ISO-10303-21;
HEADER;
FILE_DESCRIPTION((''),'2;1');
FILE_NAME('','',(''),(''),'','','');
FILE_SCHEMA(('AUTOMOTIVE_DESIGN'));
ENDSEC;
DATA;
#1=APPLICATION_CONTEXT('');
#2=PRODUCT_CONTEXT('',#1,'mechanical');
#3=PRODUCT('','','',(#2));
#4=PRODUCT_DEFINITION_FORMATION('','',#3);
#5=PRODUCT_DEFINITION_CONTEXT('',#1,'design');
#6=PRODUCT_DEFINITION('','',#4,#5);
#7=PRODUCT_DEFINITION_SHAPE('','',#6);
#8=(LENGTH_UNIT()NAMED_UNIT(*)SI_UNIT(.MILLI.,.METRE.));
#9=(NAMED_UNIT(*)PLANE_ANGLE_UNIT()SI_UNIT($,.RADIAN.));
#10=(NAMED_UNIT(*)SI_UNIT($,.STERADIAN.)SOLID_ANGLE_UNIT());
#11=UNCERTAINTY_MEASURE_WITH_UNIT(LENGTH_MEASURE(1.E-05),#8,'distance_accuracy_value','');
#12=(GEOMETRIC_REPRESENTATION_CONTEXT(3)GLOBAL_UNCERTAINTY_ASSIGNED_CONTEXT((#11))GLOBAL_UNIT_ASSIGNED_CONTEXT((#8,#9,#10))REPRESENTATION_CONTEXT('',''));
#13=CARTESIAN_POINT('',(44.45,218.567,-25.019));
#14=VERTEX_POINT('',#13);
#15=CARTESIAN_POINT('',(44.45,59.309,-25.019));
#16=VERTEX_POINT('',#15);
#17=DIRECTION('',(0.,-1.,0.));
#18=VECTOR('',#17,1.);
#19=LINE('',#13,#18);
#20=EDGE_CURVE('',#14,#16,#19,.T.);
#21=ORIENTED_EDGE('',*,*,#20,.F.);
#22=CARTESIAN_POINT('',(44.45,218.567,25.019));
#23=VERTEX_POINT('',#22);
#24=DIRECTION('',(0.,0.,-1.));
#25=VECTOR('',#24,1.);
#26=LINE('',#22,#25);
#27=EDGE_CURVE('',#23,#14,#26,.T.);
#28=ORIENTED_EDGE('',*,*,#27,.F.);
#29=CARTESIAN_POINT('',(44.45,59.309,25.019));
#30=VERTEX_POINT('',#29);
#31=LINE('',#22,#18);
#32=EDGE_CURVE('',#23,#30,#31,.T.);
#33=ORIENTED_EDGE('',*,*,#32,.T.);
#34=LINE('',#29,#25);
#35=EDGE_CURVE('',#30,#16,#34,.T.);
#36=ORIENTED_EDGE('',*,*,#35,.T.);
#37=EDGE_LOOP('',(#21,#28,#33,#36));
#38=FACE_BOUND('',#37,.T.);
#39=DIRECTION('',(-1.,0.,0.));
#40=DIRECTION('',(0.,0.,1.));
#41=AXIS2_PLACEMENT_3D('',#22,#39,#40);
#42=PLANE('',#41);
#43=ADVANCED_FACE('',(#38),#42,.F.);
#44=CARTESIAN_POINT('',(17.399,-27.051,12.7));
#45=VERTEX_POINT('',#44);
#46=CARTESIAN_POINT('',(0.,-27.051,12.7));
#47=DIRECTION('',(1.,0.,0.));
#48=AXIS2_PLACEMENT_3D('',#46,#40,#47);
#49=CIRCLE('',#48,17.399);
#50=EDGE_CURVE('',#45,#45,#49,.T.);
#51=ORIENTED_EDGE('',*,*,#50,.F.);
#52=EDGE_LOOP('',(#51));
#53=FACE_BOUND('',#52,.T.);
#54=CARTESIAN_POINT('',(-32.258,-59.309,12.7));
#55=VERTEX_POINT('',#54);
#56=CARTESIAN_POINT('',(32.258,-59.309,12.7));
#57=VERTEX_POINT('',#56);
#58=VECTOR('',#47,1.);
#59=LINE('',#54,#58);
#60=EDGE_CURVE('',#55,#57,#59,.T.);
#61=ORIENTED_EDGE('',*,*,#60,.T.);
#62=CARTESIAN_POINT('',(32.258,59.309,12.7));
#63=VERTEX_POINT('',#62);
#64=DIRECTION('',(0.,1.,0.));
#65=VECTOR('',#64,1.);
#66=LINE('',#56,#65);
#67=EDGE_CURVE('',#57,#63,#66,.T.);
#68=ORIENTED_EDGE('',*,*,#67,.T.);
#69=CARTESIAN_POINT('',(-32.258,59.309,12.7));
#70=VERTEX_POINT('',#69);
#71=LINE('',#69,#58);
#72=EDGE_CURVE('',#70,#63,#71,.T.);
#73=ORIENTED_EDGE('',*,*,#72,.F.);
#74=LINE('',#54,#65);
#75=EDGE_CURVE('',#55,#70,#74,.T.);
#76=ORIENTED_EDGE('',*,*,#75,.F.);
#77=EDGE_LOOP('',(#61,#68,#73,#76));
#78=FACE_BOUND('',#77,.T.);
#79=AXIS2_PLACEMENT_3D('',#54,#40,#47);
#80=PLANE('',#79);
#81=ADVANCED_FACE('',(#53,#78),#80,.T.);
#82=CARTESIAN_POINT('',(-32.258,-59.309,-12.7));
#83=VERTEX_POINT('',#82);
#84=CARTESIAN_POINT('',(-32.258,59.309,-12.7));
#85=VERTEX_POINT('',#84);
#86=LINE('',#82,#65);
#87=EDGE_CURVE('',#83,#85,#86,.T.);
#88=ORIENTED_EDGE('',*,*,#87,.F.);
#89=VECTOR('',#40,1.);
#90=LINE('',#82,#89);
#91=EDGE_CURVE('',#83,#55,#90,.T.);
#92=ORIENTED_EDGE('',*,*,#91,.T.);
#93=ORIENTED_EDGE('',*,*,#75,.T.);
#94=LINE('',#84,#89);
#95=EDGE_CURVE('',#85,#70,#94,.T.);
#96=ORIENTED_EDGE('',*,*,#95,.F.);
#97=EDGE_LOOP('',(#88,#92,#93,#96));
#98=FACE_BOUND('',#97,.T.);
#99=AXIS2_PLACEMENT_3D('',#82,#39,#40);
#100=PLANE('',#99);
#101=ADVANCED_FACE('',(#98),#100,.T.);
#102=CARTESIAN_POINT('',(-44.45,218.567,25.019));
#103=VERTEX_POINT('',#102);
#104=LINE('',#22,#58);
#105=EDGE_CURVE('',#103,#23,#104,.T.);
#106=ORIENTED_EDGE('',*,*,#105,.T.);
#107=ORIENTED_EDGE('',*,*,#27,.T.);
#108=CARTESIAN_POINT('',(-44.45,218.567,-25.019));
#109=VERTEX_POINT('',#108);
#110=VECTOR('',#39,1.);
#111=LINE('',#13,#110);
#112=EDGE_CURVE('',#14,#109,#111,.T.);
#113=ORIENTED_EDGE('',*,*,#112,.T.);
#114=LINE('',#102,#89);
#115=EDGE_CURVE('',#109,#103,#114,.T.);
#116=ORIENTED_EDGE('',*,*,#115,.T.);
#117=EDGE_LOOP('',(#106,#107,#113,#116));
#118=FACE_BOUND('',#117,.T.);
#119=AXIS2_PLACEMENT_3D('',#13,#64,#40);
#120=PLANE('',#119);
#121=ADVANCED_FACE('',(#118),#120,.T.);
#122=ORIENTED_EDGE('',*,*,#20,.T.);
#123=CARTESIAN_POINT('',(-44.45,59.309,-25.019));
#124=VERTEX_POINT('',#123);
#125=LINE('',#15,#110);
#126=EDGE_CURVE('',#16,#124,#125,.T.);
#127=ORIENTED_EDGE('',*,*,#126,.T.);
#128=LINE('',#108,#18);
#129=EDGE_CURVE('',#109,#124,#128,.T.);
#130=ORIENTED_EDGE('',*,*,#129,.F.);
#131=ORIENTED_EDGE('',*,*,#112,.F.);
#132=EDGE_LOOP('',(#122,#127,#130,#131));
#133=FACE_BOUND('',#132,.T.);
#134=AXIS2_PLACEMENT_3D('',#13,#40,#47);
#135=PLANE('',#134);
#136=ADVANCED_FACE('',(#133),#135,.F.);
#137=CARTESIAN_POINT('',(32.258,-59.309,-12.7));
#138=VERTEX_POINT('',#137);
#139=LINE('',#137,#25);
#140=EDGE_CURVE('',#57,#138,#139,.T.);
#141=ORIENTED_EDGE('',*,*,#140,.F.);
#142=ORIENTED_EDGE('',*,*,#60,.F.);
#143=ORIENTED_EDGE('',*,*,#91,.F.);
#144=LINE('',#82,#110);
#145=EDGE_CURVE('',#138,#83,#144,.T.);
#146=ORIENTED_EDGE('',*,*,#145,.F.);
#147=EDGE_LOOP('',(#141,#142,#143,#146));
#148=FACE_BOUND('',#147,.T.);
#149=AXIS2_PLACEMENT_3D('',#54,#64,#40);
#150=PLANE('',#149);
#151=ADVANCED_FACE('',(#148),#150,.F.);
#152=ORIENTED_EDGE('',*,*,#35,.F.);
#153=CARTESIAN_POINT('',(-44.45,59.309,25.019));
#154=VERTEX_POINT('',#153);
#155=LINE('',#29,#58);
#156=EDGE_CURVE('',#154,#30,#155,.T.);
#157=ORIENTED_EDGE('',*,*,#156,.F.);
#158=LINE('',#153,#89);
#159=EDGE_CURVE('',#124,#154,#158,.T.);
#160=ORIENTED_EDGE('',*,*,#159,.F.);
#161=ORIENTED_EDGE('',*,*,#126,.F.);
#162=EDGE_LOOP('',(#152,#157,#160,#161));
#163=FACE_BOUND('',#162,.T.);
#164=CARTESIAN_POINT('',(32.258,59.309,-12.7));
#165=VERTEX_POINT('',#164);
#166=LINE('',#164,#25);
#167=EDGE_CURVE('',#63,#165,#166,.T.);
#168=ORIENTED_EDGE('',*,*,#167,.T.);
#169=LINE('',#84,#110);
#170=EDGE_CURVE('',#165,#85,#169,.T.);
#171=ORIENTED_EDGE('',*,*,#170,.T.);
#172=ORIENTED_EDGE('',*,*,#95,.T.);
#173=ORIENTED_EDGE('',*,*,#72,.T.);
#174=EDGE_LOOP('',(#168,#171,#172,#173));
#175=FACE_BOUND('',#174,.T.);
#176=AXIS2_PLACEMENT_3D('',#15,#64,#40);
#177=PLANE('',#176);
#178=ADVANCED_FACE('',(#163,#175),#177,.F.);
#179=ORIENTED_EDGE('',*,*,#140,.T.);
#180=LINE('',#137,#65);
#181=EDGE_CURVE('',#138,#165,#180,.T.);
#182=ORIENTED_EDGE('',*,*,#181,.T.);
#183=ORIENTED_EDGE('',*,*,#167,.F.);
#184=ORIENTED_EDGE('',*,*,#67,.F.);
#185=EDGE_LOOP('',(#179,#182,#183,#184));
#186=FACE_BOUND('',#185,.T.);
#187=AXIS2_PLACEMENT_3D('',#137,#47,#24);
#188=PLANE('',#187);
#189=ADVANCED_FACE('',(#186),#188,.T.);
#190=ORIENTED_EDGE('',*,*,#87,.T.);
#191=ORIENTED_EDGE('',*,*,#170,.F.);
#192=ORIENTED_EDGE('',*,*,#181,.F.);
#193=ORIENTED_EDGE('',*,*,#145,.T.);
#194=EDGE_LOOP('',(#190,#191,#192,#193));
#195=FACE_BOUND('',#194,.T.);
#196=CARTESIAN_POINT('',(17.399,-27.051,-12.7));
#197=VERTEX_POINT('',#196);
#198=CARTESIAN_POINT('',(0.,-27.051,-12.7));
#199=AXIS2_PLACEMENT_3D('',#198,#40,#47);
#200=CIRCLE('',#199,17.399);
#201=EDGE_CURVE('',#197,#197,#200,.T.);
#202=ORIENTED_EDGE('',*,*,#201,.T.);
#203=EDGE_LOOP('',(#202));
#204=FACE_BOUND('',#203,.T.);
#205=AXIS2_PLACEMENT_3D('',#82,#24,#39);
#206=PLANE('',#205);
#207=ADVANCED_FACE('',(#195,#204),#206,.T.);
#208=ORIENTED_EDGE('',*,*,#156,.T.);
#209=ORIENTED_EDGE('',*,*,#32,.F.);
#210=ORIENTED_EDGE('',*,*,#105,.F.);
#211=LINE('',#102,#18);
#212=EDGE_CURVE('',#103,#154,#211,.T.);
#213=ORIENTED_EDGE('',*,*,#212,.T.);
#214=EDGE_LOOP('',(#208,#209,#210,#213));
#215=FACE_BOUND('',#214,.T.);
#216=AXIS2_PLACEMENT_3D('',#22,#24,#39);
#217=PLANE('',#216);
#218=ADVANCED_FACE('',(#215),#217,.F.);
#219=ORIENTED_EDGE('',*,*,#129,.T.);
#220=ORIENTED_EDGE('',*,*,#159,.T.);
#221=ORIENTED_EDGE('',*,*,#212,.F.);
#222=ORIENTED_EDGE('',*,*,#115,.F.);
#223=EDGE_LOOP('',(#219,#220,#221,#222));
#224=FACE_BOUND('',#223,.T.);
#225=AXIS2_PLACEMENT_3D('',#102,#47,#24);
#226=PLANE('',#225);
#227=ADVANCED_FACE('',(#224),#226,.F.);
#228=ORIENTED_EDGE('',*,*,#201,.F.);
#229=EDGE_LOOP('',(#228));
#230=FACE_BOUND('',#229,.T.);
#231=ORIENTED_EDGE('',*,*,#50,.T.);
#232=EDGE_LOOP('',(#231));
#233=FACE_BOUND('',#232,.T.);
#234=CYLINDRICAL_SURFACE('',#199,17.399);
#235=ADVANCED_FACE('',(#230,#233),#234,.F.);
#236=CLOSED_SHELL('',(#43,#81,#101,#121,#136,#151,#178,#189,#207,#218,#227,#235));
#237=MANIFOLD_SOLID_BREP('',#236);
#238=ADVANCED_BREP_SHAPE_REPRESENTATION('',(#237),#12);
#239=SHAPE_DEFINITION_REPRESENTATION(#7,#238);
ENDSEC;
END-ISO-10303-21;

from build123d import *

# Parameters (mm, degrees)
SKETCH1_W               = 64.516
SKETCH1_H               = 25.4
EXTRUDE2_DEPTH          = 59.309
EXTRUDE2_DEPTH_BACK     = 59.309
SKETCH2_R               = 17.399
CUT_EXTRUDE1_DEPTH      = 13.7
CUT_EXTRUDE1_DEPTH_BACK = 13.7
SKETCH3_W               = 88.9
SKETCH3_H               = 50.038
EXTRUDE3_DEPTH          = 159.258


with BuildPart() as part:
    # Sketch1 → Extrude2 (new body, two sides)
    with BuildSketch(Plane(origin=(0, 0, 0), x_dir=(1, 0, 0), z_dir=(0, 1, 0))) as extrude2_sk:
        Rectangle(SKETCH1_W, SKETCH1_H)
    extrude(amount=EXTRUDE2_DEPTH)
    extrude(extrude2_sk.sketch, amount=-EXTRUDE2_DEPTH_BACK)

    # Sketch2 → Cut-Extrude1 (cut, two sides)
    with BuildSketch(Plane.XY) as cut_extrude1_sk:
        with Locations((0, -27.051)):
            Circle(SKETCH2_R)
    extrude(amount=CUT_EXTRUDE1_DEPTH, mode=Mode.SUBTRACT)
    extrude(cut_extrude1_sk.sketch, amount=-CUT_EXTRUDE1_DEPTH_BACK, mode=Mode.SUBTRACT)

    # Sketch3 → Extrude3 (add)
    with BuildSketch(Plane(origin=(0, 59.309, 0), x_dir=(-1, 0, 0), z_dir=(0, 1, 0))):
        Rectangle(SKETCH3_W, SKETCH3_H)
    extrude(amount=EXTRUDE3_DEPTH)


solid = part.part
